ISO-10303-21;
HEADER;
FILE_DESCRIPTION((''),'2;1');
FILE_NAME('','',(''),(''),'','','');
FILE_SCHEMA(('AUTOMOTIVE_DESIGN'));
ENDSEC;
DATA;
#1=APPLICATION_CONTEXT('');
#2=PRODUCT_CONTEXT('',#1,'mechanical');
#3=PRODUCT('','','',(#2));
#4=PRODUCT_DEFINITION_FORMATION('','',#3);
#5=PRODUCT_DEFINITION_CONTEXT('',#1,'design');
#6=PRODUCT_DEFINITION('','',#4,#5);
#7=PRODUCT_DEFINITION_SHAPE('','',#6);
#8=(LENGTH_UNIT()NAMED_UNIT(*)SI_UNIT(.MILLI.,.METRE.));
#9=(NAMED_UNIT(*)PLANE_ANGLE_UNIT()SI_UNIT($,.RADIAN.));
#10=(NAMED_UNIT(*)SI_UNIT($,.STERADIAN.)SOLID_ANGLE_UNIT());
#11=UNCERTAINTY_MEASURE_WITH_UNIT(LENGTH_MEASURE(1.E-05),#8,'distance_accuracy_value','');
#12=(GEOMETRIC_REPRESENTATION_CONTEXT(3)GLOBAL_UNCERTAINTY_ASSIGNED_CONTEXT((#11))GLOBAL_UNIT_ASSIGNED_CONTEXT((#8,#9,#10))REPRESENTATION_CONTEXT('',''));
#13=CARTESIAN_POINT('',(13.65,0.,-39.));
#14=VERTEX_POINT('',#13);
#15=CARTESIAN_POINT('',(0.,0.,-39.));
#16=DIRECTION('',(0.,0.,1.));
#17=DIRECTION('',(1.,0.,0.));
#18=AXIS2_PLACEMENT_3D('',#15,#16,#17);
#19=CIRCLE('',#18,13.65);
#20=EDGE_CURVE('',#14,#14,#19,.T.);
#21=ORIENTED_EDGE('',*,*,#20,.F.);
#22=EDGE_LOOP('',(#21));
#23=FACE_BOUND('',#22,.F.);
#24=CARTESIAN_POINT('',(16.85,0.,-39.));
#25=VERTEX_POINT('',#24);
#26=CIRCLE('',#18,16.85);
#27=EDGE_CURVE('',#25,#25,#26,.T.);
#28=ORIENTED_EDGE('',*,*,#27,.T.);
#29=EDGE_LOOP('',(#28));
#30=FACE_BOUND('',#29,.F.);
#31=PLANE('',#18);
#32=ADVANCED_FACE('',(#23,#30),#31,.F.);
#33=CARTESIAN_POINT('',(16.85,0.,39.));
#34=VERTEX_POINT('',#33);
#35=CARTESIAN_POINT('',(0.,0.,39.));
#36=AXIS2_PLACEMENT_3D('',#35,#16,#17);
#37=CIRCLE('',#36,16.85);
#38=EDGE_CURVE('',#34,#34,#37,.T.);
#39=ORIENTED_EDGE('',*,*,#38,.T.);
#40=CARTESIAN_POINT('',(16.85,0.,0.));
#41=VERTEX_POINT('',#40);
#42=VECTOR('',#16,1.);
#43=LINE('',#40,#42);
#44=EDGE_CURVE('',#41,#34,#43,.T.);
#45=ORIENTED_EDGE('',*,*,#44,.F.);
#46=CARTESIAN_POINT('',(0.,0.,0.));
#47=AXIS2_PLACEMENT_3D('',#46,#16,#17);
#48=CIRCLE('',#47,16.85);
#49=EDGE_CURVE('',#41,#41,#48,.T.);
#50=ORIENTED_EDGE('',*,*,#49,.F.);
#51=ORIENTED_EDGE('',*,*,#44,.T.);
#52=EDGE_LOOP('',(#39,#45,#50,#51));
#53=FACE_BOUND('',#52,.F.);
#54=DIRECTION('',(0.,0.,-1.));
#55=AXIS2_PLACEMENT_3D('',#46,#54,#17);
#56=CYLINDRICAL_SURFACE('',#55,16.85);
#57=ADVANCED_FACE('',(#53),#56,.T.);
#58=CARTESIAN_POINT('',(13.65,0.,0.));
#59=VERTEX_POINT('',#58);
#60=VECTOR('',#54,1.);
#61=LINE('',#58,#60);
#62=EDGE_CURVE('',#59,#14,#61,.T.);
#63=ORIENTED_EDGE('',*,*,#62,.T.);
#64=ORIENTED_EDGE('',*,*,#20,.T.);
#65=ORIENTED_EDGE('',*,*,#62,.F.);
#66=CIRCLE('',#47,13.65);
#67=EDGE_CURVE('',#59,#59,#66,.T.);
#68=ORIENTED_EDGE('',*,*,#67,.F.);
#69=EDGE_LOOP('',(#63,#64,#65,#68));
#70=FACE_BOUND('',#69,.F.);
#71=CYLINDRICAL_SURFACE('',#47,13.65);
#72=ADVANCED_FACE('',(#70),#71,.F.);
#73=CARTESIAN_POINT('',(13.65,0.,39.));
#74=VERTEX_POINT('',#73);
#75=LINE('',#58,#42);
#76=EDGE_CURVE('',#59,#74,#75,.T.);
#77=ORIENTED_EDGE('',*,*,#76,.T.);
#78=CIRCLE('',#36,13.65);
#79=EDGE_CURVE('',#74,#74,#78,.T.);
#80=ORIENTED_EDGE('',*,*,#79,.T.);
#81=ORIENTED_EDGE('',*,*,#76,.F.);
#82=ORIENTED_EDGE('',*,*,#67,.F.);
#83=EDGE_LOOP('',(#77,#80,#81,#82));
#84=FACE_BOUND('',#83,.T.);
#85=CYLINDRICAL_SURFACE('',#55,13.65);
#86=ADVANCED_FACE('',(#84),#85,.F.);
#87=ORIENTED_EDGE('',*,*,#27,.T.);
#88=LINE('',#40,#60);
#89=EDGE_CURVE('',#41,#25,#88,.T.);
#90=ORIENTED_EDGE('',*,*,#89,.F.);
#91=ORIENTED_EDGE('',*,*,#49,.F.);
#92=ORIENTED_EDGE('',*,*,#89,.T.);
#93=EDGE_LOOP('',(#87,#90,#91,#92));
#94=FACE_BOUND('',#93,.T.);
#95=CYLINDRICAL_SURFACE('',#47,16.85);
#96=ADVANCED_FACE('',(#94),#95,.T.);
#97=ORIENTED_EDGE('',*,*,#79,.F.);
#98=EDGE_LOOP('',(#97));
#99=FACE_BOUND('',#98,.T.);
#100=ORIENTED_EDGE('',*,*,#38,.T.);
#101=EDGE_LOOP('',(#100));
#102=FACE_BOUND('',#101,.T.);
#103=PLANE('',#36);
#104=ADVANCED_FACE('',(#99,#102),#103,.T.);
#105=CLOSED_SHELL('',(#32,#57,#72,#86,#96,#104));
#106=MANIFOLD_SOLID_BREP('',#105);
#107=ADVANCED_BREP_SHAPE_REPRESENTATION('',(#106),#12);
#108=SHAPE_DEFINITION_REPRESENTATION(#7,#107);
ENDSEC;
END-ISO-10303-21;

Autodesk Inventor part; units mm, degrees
ref_plane "YZ Plane" through (0, 0, 0) normal (1, 0, 0) x (0, 1, 0)
ref_plane "XZ Plane" through (0, 0, 0) normal (0, 1, 0) x (-1, 0, 0)
ref_plane "XY Plane" through (0, 0, 0) normal (0, 0, 1) x (1, 0, 0)
sketch "Sketch1" plane through (0, 0, 0) normal (0, 0, 1) x (1, 0, 0)
  circle A0 centre (0, 0) radius 16.85
  circle A1 centre (0, 0) radius 13.65
  dimension "OD" = 33.7
  dimension "t" = 3.2
extrude "Extrusion1" add sketch "Sketch1" along normal mid plane 78
equation "\"size\" = 6"
properties part number "CSP" material "Aluminium 6082 T6"
